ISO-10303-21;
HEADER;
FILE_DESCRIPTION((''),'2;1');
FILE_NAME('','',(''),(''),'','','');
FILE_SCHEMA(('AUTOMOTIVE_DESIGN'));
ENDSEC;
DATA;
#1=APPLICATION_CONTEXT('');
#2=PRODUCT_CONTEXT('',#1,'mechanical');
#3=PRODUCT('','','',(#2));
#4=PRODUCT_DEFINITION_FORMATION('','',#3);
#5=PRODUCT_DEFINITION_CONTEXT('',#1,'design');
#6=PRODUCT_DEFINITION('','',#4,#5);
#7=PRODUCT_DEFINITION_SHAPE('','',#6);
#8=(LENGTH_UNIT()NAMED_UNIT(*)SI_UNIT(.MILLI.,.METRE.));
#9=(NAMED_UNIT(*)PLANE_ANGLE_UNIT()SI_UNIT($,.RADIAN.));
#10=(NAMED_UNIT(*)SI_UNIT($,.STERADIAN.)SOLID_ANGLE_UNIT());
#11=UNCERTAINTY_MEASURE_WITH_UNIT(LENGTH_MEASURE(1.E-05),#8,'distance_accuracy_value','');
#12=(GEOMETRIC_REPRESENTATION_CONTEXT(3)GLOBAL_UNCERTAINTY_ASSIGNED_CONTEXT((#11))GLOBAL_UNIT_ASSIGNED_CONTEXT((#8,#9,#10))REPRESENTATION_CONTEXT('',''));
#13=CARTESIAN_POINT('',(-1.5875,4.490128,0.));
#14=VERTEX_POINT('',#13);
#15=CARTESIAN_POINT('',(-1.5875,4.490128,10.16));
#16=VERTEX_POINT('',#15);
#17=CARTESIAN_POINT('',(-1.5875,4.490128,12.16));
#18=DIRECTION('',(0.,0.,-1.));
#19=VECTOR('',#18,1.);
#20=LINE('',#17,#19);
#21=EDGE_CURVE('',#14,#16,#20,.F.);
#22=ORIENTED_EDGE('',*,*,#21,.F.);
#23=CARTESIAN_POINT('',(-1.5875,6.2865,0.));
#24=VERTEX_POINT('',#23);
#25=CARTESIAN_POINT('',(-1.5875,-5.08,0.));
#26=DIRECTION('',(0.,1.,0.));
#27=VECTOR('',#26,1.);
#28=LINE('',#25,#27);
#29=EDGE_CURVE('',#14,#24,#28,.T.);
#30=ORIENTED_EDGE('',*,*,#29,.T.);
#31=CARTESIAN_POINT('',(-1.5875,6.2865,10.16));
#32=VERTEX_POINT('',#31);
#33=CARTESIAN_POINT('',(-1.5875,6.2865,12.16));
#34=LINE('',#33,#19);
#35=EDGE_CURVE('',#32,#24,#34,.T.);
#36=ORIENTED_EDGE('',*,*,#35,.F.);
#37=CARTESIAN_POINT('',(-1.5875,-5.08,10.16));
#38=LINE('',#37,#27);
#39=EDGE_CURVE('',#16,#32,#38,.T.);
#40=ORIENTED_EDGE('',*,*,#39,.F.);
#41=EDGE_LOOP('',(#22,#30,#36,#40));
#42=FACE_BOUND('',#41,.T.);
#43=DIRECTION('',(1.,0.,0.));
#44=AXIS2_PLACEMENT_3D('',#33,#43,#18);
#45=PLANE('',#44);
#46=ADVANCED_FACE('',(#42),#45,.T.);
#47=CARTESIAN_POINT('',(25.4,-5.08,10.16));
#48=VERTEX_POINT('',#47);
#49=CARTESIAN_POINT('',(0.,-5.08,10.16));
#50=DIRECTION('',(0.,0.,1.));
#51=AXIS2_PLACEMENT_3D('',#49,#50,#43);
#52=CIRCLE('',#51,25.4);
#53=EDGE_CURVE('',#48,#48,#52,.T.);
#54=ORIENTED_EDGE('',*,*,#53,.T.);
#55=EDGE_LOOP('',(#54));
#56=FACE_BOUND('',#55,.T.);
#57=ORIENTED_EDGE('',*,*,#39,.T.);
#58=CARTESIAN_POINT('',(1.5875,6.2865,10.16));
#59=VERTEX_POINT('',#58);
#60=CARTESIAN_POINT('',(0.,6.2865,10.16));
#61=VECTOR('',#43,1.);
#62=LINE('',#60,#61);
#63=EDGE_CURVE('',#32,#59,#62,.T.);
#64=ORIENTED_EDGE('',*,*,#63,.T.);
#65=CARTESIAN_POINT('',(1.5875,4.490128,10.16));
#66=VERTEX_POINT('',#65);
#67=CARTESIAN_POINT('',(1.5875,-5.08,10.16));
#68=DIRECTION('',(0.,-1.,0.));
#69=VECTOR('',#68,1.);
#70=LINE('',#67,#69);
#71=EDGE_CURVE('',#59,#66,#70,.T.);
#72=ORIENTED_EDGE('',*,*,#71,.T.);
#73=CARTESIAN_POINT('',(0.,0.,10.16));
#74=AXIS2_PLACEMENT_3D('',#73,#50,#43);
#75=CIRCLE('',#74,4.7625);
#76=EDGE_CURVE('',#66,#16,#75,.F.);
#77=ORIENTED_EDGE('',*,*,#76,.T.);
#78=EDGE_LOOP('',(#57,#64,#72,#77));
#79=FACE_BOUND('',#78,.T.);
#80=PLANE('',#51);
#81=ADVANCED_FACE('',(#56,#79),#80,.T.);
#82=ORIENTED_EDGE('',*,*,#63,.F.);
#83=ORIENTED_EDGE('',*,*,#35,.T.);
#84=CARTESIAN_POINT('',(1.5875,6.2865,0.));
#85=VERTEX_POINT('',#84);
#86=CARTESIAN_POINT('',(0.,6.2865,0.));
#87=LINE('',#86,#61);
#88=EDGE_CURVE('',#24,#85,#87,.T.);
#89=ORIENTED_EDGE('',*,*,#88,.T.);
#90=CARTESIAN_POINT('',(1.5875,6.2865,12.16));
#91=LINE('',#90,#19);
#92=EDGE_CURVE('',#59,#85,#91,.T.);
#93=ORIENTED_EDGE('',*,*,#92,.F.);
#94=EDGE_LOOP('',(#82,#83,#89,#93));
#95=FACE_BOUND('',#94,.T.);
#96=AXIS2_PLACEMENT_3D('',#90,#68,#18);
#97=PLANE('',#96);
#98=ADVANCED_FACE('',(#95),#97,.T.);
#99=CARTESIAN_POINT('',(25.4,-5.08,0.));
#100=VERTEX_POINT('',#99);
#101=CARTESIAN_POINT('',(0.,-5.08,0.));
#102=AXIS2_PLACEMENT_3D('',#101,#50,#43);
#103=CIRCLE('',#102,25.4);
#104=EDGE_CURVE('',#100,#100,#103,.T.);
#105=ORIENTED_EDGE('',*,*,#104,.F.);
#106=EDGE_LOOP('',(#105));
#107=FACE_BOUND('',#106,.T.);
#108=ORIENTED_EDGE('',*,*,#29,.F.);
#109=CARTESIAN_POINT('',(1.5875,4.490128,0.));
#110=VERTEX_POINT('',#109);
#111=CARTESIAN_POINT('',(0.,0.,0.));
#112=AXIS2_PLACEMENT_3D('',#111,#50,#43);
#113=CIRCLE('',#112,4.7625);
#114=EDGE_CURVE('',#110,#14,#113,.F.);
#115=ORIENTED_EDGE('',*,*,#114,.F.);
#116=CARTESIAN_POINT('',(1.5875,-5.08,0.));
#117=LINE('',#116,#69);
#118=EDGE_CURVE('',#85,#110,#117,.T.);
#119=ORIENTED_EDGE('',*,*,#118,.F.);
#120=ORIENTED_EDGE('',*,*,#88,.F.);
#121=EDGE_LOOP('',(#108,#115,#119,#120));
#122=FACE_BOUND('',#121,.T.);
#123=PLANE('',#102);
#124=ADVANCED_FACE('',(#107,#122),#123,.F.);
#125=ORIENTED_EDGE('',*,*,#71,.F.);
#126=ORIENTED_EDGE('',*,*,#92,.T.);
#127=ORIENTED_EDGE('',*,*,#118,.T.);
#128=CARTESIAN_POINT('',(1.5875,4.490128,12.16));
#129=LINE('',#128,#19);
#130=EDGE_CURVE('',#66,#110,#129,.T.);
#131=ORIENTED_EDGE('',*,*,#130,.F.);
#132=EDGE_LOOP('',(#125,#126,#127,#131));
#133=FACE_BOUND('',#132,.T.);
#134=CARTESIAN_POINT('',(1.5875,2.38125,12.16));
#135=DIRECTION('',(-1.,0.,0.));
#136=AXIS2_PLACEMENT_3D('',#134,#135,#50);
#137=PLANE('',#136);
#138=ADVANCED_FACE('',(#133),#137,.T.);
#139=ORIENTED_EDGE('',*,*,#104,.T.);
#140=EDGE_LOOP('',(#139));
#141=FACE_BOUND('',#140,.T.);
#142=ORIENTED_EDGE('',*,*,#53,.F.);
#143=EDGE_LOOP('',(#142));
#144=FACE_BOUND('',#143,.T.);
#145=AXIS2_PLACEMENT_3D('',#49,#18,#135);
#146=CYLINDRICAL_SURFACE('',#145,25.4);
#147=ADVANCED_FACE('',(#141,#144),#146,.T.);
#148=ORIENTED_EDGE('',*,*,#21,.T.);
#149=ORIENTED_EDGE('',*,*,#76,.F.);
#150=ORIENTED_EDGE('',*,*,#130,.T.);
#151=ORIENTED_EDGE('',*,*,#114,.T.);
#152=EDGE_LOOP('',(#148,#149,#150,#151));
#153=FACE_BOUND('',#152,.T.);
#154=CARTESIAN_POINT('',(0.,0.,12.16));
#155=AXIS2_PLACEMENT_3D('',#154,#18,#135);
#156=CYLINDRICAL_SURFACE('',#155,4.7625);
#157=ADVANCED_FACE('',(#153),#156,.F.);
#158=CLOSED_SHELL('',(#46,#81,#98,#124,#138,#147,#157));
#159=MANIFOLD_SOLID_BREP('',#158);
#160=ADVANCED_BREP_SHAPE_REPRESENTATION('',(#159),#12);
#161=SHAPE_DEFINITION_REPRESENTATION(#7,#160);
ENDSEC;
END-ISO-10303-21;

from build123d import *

# Parameters (mm, degrees)
SKETCH1_R               = 25.4
BOSS_EXTRUDE1_DEPTH     = 10.16
CUT_EXTRUDE2_DEPTH      = 12.16
CUT_EXTRUDE2_DEPTH_BACK = 12.16
SKETCH2_R               = 4.7625
CUT_EXTRUDE4_DEPTH      = 12.16
CUT_EXTRUDE4_DEPTH_BACK = 12.16
SKETCH3_W               = 3.175
SKETCH3_H               = 3.90525


with BuildPart() as part:
    # Sketch1 → Boss-Extrude1 (new body)
    with BuildSketch(Plane.XY):
        with Locations((0, -5.08)):
            Circle(SKETCH1_R)
    extrude(amount=BOSS_EXTRUDE1_DEPTH)

    # Sketch2 → Cut-Extrude2 (cut, two sides: drawn at the far end of the back side and taken through both)
    with BuildSketch(Plane.XY.offset(-CUT_EXTRUDE2_DEPTH_BACK)):
        Circle(SKETCH2_R)
    extrude(amount=CUT_EXTRUDE2_DEPTH + CUT_EXTRUDE2_DEPTH_BACK, mode=Mode.SUBTRACT)

    # Sketch3 → Cut-Extrude4 (cut, two sides: drawn at the far end of the back side and taken through both)
    with BuildSketch(Plane.XY.offset(-CUT_EXTRUDE4_DEPTH_BACK)):
        with Locations((0, 4.333875)):
            Rectangle(SKETCH3_W, SKETCH3_H)
    extrude(amount=CUT_EXTRUDE4_DEPTH + CUT_EXTRUDE4_DEPTH_BACK, mode=Mode.SUBTRACT)


solid = part.part
